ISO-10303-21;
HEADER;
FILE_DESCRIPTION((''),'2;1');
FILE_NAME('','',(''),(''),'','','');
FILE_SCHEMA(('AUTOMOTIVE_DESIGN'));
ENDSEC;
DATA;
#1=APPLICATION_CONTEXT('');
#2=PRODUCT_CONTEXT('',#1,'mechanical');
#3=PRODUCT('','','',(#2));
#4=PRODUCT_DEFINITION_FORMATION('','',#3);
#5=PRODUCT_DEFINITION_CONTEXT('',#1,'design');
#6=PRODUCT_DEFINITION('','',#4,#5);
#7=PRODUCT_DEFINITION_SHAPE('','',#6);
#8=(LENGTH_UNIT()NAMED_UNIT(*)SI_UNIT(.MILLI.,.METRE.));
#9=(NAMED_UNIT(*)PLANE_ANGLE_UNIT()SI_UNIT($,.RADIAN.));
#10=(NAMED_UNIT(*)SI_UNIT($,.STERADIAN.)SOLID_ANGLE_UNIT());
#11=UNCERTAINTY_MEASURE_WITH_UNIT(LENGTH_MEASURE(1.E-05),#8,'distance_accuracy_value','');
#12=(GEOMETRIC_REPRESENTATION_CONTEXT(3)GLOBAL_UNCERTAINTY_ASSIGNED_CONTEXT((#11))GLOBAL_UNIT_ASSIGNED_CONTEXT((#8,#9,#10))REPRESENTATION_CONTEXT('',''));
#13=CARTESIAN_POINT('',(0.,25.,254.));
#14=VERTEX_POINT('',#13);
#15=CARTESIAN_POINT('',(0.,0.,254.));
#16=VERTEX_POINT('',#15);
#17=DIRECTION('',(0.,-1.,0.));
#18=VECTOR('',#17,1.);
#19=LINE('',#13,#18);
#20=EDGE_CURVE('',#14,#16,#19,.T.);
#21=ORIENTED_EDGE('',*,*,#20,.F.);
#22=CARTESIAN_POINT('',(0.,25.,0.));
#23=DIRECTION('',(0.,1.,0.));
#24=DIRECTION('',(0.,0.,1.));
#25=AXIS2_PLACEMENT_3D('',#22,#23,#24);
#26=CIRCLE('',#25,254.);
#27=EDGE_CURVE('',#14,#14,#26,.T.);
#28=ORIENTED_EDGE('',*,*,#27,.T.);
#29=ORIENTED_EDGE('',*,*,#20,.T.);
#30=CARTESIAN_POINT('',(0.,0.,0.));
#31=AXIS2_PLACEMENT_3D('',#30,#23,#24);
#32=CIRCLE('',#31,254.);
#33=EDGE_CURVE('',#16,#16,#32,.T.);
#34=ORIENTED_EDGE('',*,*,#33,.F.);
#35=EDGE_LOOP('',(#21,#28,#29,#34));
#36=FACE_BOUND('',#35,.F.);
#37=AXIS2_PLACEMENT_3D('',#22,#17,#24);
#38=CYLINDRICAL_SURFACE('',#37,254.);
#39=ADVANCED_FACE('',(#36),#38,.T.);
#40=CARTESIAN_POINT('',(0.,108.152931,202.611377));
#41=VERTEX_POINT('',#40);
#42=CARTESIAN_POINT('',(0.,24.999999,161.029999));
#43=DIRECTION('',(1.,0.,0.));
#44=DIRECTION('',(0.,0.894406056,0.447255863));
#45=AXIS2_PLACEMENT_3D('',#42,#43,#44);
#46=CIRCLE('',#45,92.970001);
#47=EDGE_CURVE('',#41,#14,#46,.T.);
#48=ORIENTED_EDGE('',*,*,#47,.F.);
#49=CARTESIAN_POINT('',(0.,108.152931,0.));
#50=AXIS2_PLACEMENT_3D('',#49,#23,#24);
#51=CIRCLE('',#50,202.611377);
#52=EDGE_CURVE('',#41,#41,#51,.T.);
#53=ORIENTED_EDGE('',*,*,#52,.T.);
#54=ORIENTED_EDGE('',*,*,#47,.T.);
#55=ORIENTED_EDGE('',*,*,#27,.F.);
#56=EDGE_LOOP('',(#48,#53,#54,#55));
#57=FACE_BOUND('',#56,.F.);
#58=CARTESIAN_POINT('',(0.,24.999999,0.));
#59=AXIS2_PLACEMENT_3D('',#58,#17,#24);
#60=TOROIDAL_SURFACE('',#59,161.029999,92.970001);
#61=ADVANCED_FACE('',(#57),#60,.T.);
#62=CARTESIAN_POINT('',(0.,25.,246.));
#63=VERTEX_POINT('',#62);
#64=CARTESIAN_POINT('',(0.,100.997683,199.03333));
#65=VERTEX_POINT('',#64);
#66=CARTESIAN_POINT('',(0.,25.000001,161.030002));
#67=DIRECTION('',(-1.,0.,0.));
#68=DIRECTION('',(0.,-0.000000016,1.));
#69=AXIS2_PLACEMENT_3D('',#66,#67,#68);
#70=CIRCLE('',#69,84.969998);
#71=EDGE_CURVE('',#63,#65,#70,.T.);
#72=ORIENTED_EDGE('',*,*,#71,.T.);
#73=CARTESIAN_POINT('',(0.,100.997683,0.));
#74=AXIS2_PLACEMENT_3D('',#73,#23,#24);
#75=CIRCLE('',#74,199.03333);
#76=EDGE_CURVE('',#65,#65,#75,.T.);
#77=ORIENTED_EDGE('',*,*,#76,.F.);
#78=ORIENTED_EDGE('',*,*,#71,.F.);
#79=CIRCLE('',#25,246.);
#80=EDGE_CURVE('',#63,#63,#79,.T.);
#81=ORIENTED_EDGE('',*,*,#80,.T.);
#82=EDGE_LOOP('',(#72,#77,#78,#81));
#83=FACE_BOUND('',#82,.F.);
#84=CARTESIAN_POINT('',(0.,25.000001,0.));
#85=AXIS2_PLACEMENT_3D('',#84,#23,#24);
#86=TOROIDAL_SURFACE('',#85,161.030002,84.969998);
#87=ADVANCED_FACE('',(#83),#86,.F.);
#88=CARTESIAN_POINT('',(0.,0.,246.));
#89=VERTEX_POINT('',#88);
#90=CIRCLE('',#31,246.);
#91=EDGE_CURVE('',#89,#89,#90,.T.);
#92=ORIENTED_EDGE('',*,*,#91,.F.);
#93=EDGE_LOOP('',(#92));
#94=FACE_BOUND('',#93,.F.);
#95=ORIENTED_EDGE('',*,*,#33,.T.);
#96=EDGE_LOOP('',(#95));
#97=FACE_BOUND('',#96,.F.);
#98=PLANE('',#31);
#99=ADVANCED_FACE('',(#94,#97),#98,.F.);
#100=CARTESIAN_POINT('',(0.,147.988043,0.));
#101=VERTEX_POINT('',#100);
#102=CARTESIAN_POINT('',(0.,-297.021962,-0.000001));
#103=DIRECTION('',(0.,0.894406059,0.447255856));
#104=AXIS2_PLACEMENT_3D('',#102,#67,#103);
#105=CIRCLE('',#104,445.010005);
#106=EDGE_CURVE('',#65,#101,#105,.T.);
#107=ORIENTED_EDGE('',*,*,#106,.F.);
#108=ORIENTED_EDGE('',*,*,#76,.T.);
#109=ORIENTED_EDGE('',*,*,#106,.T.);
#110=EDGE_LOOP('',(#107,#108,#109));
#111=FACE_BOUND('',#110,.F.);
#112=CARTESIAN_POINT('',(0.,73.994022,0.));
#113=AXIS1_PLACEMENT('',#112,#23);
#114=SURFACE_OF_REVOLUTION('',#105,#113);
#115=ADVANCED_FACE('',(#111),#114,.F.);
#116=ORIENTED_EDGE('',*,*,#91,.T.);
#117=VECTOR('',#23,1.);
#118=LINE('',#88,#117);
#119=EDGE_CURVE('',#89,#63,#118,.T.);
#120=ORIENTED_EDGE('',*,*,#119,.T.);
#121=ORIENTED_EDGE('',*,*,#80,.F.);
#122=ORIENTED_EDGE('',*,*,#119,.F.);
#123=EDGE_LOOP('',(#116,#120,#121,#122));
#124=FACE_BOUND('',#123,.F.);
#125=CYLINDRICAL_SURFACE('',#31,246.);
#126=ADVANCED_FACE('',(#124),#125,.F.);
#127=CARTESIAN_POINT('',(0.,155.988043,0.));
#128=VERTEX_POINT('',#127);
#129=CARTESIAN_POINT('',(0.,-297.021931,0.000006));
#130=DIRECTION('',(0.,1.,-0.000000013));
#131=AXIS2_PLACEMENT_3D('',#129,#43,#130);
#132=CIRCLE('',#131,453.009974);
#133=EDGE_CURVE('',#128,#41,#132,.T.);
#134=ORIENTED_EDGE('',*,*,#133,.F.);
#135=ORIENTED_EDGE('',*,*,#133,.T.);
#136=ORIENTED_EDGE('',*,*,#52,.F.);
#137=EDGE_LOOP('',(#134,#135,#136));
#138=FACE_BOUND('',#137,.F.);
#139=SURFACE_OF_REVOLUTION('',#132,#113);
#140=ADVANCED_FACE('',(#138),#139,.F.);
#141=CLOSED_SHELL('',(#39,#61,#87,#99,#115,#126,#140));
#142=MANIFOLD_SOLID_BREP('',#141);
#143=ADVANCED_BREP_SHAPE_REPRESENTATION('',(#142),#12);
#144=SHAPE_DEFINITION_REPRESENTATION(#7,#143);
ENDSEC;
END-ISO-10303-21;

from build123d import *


with BuildPart() as f1:
    # F0 (on Right) → F1 (revolve)
    with BuildSketch(Plane.YZ):
        with BuildLine():
            Line((0, 254), (0, 246))
            Line((0, 246), (25, 246))
            ThreePointArc((25, 246), (69.669665, 233.310855), (100.997683, 199.03333))
            ThreePointArc((100.997683, 199.03333), (136.08116, 102.25258), (147.988043, 0))
            Line((147.988043, 0), (155.988043, 0))
            ThreePointArc((155.988043, 0), (143.867109, 104.090788), (108.152931, 202.611377))
            ThreePointArc((108.152931, 202.611377), (73.875353, 240.11616), (25, 254))
            Line((25, 254), (0, 254))
        make_face()
    revolve(axis=Axis((0, 73.994022, 0), (0, 1, 0)))


solid = f1.part
